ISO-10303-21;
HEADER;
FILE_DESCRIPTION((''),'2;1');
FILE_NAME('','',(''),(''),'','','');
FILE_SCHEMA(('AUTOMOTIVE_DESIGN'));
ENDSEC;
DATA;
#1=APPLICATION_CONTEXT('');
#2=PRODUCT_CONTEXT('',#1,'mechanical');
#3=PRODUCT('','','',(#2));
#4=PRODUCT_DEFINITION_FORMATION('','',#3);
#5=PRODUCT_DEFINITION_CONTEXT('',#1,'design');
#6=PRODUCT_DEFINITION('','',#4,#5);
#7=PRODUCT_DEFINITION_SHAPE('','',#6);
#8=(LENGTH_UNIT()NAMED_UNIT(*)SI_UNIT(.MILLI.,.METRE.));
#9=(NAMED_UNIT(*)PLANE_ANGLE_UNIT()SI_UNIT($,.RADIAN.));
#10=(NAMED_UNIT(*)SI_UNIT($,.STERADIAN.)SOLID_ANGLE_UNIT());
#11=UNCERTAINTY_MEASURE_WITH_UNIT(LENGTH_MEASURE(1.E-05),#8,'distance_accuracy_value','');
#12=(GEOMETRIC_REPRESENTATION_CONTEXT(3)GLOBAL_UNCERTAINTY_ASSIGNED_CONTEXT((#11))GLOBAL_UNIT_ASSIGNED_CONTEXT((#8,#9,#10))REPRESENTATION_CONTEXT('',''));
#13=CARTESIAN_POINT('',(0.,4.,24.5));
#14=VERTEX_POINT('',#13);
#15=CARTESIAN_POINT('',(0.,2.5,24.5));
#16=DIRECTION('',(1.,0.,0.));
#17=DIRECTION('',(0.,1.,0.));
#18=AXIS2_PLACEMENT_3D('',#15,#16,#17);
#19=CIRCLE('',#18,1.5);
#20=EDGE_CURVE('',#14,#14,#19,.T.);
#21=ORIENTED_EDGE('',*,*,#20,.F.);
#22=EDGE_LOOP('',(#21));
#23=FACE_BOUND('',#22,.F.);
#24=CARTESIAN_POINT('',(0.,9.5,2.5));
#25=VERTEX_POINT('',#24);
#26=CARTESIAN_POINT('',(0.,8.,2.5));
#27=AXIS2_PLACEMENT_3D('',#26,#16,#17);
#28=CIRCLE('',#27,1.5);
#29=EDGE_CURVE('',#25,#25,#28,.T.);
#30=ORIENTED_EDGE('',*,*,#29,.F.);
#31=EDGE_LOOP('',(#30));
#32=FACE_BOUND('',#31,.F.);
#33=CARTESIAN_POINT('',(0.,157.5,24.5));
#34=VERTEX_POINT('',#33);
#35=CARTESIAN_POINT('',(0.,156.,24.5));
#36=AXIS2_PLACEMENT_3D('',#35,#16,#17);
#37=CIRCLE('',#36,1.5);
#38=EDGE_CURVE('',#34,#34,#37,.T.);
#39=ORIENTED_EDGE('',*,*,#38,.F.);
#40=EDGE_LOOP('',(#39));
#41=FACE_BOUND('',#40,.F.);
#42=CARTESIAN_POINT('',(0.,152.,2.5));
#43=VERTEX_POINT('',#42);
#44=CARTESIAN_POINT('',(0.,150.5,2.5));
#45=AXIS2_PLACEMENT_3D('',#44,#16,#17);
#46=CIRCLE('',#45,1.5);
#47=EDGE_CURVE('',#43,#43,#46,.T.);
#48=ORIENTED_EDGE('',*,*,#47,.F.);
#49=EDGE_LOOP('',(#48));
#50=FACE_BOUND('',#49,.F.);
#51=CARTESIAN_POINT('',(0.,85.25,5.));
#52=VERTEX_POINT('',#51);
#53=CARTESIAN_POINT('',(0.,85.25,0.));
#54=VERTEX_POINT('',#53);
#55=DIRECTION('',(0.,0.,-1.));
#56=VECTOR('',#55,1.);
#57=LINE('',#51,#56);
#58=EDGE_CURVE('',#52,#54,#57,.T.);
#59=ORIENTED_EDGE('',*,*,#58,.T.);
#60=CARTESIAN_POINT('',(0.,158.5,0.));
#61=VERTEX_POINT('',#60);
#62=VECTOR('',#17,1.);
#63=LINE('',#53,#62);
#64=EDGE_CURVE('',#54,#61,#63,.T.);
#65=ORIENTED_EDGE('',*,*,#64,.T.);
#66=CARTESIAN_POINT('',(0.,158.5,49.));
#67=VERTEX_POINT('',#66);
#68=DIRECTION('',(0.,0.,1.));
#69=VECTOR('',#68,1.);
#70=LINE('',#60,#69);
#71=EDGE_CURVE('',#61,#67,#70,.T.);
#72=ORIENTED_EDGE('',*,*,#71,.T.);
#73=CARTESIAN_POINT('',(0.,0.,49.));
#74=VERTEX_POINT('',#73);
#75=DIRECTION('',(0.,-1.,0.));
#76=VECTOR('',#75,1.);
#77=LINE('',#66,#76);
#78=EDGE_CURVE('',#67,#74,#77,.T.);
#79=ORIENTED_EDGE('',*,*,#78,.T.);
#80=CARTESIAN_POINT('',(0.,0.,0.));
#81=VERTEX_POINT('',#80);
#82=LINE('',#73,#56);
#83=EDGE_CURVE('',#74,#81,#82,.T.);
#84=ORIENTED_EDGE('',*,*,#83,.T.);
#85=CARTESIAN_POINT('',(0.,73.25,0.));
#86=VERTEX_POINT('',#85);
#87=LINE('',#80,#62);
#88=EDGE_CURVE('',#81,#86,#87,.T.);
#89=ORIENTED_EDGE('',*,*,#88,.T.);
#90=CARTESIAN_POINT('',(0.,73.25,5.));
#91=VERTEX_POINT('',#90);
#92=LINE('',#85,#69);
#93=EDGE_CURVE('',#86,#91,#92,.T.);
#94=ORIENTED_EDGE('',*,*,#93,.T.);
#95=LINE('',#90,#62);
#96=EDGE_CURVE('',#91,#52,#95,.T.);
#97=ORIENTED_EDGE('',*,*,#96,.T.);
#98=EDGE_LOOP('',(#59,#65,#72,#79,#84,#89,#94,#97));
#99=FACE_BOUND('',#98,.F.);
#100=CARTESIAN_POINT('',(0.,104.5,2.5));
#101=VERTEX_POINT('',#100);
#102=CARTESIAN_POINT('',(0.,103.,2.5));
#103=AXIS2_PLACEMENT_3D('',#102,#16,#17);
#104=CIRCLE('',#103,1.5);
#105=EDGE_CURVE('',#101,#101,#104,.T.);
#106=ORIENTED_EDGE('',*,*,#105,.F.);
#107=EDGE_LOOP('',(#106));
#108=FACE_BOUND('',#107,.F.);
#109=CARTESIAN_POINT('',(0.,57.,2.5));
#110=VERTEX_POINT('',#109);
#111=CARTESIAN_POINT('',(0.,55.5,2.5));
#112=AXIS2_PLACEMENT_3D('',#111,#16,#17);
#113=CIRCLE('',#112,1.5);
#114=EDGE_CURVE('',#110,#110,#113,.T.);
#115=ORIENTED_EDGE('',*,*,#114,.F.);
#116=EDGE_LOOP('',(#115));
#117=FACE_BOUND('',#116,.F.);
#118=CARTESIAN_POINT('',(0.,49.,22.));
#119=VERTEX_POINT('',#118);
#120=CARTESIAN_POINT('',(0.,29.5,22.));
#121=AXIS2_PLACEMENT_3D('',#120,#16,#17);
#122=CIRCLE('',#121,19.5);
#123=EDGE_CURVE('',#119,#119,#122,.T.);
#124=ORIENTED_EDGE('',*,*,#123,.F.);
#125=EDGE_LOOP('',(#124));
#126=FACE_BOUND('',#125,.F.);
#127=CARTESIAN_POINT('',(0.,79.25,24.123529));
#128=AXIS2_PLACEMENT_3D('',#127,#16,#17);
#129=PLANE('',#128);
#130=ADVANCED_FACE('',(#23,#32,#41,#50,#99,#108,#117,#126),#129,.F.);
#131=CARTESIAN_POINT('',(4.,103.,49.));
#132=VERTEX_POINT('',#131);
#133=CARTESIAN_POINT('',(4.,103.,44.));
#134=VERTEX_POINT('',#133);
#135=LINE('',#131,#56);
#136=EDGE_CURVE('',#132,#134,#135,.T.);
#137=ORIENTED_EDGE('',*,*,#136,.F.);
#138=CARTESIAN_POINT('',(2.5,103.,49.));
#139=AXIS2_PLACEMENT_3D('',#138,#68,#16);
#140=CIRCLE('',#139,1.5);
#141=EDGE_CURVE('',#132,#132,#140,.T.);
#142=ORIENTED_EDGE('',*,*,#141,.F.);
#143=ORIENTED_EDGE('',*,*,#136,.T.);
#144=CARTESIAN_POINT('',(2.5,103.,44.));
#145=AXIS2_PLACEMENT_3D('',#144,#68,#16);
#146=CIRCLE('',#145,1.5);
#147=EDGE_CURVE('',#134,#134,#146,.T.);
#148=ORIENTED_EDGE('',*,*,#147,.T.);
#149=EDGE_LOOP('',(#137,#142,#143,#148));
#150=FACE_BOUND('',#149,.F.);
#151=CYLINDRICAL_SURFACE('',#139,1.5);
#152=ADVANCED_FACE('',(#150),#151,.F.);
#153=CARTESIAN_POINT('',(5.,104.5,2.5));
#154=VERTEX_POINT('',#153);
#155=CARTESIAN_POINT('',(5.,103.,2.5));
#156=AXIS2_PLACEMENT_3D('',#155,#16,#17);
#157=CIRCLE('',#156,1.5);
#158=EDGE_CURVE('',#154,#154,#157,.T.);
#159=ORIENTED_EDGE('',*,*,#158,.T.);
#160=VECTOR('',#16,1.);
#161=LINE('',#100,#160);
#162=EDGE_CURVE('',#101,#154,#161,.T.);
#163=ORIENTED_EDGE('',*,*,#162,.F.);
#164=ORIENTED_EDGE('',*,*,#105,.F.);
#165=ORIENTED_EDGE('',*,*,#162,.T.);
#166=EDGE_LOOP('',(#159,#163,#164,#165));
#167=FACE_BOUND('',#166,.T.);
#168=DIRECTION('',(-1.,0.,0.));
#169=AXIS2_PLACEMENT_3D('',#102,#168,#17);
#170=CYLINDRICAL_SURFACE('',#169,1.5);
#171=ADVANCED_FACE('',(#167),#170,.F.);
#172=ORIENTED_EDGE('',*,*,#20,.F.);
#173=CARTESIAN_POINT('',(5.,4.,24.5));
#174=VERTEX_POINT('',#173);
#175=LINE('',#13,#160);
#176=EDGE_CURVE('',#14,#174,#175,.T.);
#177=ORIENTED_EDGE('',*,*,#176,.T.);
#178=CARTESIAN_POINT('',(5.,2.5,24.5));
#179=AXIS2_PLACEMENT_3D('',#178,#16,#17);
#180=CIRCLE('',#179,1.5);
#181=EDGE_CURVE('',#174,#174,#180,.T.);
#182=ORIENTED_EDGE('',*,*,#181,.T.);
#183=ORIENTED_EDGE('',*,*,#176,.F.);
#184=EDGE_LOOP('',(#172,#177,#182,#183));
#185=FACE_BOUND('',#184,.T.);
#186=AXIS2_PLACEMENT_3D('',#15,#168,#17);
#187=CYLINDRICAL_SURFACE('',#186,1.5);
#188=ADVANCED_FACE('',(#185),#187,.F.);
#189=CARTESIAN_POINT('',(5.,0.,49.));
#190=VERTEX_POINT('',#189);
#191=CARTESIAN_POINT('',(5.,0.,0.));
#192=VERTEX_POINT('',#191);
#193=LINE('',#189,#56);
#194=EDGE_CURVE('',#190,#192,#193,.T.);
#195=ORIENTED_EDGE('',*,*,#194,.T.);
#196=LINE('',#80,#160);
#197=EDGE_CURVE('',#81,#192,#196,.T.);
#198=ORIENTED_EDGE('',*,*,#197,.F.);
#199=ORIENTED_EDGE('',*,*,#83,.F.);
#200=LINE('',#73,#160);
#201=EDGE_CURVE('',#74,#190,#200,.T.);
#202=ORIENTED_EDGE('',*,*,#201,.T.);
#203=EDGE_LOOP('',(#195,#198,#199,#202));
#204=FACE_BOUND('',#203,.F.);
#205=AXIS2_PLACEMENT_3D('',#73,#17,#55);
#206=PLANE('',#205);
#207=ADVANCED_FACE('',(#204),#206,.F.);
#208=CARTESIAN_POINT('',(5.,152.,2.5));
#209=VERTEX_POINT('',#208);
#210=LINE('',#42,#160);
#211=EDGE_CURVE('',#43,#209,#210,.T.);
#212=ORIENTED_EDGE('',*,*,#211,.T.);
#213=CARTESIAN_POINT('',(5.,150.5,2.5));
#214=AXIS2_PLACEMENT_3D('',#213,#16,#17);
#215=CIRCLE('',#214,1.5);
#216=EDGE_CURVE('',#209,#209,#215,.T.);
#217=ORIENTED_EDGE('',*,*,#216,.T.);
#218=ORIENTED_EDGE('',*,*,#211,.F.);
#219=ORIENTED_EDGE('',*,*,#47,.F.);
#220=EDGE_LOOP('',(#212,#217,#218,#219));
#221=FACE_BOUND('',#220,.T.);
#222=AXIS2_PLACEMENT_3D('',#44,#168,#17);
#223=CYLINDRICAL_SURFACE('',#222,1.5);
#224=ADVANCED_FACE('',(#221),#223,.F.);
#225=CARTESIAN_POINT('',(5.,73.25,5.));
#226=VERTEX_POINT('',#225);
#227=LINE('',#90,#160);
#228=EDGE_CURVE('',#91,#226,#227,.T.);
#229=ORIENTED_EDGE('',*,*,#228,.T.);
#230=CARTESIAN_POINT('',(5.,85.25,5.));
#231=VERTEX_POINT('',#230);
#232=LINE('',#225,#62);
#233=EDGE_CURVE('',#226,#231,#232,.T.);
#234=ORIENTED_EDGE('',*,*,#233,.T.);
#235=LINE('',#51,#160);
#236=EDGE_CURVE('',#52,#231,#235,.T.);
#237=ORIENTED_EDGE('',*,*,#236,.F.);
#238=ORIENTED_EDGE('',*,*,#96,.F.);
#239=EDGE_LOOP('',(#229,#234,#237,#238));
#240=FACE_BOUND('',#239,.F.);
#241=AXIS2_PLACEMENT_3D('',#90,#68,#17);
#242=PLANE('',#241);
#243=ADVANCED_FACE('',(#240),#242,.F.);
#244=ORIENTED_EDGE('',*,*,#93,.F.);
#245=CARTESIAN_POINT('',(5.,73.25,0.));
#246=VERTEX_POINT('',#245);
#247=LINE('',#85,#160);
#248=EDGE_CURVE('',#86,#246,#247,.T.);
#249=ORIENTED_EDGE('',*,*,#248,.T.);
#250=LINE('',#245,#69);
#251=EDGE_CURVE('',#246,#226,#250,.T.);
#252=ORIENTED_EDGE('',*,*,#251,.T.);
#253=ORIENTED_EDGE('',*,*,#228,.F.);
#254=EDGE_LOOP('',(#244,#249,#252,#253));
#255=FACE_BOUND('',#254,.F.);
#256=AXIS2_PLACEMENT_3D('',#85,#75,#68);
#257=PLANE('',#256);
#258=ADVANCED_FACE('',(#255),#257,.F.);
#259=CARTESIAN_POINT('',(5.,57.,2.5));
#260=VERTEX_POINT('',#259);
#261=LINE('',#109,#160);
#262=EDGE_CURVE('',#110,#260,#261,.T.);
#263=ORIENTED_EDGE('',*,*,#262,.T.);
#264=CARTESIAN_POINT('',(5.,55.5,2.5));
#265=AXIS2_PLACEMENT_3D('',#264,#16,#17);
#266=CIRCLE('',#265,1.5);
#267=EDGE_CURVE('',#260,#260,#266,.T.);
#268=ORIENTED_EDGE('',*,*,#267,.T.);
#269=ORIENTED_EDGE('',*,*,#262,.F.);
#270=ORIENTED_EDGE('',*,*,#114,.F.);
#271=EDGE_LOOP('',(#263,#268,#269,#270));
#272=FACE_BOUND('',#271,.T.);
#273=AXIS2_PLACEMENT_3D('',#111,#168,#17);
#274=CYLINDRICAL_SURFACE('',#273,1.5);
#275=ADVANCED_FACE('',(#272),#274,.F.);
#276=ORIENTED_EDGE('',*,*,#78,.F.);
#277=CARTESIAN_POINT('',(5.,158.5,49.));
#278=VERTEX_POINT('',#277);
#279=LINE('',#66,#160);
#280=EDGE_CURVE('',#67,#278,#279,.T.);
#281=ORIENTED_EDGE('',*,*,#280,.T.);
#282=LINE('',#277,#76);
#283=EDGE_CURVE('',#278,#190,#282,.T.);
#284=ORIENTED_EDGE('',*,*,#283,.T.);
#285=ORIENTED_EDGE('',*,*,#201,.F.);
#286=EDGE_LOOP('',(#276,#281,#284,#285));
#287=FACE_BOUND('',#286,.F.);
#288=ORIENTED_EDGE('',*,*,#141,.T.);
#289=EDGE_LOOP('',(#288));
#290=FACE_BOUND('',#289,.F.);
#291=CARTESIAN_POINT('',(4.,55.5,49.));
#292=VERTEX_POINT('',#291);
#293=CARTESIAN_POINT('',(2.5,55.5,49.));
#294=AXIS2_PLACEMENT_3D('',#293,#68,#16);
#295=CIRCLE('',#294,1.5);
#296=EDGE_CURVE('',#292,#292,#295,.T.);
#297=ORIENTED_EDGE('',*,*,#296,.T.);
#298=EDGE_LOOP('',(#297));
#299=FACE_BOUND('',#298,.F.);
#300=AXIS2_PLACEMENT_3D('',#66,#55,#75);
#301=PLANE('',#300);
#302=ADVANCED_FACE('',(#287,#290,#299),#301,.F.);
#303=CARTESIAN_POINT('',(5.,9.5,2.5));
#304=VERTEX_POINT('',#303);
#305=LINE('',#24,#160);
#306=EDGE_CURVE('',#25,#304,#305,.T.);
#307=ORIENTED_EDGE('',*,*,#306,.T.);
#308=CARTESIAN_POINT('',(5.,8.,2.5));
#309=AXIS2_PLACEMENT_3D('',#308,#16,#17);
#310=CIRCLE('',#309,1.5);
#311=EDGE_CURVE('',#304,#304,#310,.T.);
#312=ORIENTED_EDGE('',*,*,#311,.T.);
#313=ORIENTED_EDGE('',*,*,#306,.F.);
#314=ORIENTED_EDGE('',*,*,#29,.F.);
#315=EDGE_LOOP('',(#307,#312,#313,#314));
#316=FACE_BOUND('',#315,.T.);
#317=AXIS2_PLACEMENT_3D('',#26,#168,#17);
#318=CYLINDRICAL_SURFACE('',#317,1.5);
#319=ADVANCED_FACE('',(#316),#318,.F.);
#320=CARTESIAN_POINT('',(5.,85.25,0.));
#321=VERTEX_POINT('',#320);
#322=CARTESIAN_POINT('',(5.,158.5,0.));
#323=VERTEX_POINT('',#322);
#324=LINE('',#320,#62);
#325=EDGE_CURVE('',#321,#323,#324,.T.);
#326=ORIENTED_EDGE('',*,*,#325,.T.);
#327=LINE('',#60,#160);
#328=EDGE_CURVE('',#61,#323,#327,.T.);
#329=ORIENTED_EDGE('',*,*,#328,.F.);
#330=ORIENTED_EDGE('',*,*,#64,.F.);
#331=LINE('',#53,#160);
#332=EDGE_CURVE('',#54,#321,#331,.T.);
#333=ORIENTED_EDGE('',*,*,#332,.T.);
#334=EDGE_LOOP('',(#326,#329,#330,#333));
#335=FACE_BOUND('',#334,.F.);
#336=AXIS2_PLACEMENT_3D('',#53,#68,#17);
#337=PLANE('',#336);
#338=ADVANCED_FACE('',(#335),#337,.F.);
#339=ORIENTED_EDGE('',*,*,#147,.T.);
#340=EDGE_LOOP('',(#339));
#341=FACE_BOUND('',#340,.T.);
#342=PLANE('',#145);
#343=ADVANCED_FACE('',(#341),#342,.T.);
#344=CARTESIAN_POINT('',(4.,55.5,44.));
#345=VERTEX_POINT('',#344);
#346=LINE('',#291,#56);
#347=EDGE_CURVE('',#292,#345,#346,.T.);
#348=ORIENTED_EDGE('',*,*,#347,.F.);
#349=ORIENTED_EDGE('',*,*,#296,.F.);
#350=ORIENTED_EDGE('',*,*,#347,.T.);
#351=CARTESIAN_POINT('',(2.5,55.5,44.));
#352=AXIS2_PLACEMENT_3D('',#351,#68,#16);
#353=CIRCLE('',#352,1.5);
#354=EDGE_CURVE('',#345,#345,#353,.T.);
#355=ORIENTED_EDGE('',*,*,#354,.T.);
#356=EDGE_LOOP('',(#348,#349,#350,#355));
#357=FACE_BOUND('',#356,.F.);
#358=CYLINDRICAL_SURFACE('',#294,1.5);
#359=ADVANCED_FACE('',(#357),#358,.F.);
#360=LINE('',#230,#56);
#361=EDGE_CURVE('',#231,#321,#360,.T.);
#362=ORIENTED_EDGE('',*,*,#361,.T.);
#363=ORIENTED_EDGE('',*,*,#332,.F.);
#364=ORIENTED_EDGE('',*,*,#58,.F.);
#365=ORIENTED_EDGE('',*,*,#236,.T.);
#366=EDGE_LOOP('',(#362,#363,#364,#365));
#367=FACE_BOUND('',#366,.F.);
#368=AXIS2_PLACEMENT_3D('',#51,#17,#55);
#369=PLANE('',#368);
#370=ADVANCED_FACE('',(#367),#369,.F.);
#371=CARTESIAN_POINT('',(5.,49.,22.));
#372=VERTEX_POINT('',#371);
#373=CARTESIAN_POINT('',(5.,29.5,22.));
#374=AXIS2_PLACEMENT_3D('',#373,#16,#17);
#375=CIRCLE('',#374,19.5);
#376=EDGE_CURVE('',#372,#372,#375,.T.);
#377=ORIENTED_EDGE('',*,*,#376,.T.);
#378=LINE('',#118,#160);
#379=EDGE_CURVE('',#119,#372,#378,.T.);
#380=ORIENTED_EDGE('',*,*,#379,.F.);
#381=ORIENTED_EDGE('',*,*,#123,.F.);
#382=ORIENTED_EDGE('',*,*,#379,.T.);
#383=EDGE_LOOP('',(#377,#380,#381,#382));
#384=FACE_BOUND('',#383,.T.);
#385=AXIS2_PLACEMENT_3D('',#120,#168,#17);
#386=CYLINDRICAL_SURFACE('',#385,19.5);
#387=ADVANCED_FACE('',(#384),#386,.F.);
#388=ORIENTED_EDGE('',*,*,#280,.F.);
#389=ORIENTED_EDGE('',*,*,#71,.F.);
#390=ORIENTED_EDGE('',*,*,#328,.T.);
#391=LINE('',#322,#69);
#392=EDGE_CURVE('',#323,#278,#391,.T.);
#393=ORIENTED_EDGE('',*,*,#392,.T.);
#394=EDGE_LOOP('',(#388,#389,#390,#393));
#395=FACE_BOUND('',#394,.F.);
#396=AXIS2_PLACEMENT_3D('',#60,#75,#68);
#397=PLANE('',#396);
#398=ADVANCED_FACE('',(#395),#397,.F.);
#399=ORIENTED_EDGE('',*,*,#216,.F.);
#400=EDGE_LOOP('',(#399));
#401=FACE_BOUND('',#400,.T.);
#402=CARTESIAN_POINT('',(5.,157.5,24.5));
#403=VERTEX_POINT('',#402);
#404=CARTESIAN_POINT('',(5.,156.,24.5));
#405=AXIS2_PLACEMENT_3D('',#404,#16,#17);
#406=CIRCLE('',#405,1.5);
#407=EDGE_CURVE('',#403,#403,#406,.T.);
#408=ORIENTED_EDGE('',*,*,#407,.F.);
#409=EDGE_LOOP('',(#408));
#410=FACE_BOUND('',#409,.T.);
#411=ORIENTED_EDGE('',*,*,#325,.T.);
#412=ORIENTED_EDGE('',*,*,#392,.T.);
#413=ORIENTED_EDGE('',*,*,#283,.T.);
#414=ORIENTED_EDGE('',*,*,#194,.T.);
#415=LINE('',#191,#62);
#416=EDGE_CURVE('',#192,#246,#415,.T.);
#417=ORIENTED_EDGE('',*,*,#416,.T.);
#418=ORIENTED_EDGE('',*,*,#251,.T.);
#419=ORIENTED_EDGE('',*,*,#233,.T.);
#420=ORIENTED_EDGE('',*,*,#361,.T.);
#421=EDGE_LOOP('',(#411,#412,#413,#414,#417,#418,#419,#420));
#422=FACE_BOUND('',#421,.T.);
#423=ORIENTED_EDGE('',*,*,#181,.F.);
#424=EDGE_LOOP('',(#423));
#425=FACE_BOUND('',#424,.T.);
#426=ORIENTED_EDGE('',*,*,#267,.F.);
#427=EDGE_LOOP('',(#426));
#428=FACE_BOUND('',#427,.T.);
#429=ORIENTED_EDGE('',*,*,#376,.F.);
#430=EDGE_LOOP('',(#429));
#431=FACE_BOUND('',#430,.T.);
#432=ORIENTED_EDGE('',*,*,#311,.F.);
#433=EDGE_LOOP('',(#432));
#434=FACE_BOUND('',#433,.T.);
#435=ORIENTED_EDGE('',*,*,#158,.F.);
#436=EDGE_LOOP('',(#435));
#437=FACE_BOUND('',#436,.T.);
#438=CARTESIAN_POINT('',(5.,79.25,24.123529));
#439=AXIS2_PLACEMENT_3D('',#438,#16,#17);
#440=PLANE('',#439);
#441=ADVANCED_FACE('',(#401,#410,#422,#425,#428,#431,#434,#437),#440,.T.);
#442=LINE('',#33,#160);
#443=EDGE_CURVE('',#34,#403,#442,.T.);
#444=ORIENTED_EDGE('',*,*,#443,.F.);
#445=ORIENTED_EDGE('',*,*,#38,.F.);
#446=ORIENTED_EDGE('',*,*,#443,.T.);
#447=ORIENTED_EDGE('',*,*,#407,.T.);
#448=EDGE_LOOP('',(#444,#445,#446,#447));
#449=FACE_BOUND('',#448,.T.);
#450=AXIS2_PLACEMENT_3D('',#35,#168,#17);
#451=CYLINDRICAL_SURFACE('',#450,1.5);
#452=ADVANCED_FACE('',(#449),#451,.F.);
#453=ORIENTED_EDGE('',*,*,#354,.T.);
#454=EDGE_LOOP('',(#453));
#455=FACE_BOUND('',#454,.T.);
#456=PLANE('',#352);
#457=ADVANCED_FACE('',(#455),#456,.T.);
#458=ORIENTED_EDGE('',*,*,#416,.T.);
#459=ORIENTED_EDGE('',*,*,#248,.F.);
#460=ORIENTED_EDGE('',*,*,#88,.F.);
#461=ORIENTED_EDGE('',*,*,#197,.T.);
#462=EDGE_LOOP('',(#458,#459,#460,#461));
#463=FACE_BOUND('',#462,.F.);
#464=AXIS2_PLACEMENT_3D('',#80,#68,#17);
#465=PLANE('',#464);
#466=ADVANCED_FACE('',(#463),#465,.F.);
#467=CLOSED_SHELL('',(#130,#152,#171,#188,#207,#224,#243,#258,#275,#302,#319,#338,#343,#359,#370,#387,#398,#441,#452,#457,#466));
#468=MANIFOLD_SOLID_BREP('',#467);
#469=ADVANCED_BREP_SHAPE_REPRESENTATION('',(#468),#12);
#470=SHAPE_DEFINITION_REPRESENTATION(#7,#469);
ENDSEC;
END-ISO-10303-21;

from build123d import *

# Parameters (mm, degrees)
F0_R     = 1.5
F0_R_2   = 19.5
F1_DEPTH = 5
F2_R     = 1.5
F3_DEPTH = 5


with BuildPart() as f1:
    # F0 (on Right) → F1 (new body)
    with BuildSketch(Plane.YZ):
        Polygon((0, 49), (0, 0), (73.25, 0), (73.25, 5), (85.25, 5), (85.25, 0), (158.5, 0), (158.5, 49), align=None)
        with Locations((8, 2.5)):
            Circle(F0_R, mode=Mode.SUBTRACT)
        with Locations((55.5, 2.5)):
            Circle(F0_R, mode=Mode.SUBTRACT)
        with Locations((2.5, 24.5)):
            Circle(F0_R, mode=Mode.SUBTRACT)
        with Locations((29.5, 22)):
            Circle(F0_R_2, mode=Mode.SUBTRACT)
        with Locations((103, 2.5)):
            Circle(F0_R, mode=Mode.SUBTRACT)
        with Locations((150.5, 2.5)):
            Circle(F0_R, mode=Mode.SUBTRACT)
        with Locations((156, 24.5)):
            Circle(F0_R, mode=Mode.SUBTRACT)
    extrude(amount=F1_DEPTH)

    # F2 (on face) → F3 (cut)
    with BuildSketch(Plane.XY.offset(49)):
        with Locations((2.5, 55.5)):
            Circle(F2_R)
        with Locations((2.5, 103)):
            Circle(F2_R)
    extrude(amount=-F3_DEPTH, mode=Mode.SUBTRACT)


solid = f1.part
